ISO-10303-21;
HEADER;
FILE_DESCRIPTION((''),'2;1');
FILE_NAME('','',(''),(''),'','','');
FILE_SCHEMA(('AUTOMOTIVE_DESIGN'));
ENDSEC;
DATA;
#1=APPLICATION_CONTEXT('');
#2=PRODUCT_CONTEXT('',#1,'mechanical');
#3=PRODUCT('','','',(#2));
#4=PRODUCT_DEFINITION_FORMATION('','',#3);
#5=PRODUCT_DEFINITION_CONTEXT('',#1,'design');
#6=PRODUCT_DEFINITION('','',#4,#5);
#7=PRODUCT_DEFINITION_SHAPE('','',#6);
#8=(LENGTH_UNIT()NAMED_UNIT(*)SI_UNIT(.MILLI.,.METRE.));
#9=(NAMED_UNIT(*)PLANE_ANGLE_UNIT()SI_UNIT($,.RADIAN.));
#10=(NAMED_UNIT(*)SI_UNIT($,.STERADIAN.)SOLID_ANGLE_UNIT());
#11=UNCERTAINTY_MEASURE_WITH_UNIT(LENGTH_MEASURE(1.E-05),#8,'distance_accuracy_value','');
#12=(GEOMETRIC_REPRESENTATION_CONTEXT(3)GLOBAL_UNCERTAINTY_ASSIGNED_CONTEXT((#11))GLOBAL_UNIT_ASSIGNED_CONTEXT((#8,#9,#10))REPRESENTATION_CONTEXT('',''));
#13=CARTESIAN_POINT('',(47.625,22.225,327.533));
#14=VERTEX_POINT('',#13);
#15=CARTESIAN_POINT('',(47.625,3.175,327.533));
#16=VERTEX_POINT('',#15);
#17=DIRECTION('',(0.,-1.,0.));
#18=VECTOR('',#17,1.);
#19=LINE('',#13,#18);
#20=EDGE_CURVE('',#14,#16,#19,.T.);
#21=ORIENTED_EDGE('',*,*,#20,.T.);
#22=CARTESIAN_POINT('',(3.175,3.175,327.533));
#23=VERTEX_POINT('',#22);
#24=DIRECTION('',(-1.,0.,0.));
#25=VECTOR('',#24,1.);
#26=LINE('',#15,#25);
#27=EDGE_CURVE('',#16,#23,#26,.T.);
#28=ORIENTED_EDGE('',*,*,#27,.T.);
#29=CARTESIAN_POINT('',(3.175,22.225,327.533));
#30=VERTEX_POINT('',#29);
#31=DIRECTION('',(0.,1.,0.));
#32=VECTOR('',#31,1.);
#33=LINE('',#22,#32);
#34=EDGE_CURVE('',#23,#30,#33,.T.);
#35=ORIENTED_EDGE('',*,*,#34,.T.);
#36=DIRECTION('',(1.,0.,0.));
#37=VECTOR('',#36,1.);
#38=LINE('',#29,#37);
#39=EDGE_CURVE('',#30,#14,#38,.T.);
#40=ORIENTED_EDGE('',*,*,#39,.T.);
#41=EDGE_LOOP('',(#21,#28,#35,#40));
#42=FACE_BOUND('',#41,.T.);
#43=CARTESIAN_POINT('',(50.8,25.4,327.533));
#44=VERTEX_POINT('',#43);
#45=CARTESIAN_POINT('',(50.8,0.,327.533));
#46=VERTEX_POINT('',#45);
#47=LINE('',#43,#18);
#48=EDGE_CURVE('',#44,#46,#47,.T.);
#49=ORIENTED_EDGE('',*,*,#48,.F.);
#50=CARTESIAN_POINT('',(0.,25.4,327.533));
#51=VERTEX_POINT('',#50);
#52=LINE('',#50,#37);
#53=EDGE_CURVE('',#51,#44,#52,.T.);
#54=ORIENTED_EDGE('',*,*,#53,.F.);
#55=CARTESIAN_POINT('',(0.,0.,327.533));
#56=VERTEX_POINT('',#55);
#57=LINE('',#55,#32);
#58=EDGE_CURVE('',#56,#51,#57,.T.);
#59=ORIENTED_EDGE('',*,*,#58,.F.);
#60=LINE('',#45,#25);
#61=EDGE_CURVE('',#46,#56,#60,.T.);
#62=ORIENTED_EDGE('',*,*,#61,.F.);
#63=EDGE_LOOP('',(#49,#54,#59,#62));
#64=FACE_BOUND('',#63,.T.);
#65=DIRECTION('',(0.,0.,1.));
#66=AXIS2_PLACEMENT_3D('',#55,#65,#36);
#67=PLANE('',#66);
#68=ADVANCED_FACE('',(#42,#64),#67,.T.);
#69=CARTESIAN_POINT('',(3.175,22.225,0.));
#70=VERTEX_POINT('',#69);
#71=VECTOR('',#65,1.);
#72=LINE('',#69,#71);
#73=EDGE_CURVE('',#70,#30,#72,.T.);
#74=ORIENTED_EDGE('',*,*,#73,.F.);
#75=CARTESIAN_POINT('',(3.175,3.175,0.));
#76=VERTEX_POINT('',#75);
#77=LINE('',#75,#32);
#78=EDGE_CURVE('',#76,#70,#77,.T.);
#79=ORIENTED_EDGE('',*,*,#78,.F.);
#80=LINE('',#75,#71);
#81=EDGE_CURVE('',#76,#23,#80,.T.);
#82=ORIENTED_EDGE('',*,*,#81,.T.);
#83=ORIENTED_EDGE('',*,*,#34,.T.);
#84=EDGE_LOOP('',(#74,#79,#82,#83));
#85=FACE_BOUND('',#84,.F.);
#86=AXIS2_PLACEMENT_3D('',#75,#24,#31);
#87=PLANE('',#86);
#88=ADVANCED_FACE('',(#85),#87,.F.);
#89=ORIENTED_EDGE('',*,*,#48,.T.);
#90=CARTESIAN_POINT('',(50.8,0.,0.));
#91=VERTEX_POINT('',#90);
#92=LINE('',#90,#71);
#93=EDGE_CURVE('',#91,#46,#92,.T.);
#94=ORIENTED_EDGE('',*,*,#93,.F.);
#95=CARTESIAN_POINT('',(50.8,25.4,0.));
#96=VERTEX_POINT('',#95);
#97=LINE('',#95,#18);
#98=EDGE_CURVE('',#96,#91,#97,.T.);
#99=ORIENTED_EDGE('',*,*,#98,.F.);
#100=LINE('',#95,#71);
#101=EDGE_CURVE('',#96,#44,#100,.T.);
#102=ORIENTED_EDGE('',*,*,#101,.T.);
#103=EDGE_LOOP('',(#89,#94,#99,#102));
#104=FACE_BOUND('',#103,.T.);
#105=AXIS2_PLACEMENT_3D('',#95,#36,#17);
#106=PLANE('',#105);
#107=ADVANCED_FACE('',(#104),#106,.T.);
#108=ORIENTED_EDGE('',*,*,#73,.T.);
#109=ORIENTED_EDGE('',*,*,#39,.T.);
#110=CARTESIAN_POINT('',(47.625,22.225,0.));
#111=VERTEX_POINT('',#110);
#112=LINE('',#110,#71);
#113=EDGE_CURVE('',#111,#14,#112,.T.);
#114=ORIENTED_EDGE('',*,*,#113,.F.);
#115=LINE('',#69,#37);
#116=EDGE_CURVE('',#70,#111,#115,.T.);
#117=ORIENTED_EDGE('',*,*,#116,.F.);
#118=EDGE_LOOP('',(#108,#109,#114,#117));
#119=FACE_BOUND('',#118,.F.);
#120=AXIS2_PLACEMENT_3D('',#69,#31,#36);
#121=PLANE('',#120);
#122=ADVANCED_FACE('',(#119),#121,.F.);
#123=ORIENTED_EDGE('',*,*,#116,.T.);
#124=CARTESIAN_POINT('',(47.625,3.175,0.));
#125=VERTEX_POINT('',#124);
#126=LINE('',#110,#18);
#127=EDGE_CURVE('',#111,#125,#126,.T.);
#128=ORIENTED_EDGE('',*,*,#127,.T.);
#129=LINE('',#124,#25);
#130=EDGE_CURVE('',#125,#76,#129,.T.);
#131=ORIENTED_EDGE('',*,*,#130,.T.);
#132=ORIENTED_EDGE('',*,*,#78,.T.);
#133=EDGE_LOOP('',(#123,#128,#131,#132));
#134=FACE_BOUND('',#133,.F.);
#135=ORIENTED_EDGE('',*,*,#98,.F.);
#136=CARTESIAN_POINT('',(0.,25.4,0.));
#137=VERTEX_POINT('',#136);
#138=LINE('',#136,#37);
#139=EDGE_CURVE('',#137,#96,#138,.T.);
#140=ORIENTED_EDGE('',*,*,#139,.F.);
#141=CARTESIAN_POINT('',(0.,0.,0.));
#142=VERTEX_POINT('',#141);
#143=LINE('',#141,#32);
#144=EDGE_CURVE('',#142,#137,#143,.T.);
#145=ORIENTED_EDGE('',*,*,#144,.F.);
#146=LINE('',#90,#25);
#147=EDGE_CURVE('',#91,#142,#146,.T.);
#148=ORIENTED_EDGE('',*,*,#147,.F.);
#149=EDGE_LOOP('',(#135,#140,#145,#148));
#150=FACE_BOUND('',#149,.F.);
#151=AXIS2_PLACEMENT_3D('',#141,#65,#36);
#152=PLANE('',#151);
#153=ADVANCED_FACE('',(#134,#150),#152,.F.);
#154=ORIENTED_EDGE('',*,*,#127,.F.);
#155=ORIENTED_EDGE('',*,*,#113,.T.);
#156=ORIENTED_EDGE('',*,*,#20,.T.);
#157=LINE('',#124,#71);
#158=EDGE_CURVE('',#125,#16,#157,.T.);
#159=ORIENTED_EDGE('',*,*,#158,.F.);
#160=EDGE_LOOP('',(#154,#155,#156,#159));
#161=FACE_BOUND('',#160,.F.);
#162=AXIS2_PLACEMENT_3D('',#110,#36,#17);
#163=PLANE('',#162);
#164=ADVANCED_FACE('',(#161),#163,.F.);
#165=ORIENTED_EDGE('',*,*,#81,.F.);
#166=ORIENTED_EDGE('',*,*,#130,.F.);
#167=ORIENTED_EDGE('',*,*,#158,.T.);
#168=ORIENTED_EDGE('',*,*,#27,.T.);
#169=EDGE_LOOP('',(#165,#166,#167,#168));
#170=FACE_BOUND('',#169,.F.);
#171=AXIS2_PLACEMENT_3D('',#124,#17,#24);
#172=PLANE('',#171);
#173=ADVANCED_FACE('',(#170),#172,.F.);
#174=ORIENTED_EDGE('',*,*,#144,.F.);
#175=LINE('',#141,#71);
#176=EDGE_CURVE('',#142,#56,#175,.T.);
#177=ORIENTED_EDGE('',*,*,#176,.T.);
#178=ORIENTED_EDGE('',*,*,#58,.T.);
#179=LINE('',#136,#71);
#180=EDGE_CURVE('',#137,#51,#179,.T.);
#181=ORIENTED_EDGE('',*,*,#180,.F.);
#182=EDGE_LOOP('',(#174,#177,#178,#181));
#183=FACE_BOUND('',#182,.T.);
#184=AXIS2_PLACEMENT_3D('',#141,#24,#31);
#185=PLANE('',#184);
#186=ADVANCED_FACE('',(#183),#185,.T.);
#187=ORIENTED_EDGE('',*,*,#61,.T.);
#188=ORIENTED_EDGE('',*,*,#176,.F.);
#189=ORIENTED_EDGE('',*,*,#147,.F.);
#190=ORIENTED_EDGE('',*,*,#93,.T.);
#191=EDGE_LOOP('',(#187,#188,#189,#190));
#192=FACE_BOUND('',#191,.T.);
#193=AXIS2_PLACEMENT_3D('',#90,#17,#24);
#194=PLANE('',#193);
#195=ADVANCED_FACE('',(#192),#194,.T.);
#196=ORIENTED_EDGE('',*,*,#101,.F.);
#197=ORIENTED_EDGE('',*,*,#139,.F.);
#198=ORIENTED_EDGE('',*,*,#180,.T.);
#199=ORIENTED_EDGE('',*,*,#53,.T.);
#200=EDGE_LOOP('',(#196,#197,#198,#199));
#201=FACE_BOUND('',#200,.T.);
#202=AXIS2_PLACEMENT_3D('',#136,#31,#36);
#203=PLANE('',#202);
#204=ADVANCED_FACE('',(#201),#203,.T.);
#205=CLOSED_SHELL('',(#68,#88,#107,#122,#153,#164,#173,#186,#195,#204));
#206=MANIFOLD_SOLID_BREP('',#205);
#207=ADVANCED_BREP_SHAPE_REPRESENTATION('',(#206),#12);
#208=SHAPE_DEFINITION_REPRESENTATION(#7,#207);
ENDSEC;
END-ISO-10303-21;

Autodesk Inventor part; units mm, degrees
ref_plane "YZ Plane" through (0, 0, 0) normal (1, 0, 0) x (0, 1, 0)
ref_plane "XZ Plane" through (0, 0, 0) normal (0, 1, 0) x (-1, 0, 0)
ref_plane "XY Plane" through (0, 0, 0) normal (0, 0, 1) x (1, 0, 0)
sketch "Sketch1" plane through (0, 0, 0) normal (0, 0, 1) x (1, 0, 0)
  line L0 (0, 0) -> (0, 25.4)
  line L1 (0, 25.4) -> (50.8, 25.4)
  line L2 (50.8, 25.4) -> (50.8, 0)
  line L3 (50.8, 0) -> (0, 0)
  line L4 (3.175, 3.175) -> (3.175, 22.225)
  line L5 (3.175, 22.225) -> (47.625, 22.225)
  line L6 (47.625, 22.225) -> (47.625, 3.175)
  line L7 (47.625, 3.175) -> (3.175, 3.175)
  dimension "d0" = 25.4
  dimension "d1" = 50.8
  dimension "d2" = 3.175
extrude "Extrusion1" add sketch "Sketch1" along normal blind 327.533
properties part number "Cross 2 x 1 beam on bottom of elevator"
